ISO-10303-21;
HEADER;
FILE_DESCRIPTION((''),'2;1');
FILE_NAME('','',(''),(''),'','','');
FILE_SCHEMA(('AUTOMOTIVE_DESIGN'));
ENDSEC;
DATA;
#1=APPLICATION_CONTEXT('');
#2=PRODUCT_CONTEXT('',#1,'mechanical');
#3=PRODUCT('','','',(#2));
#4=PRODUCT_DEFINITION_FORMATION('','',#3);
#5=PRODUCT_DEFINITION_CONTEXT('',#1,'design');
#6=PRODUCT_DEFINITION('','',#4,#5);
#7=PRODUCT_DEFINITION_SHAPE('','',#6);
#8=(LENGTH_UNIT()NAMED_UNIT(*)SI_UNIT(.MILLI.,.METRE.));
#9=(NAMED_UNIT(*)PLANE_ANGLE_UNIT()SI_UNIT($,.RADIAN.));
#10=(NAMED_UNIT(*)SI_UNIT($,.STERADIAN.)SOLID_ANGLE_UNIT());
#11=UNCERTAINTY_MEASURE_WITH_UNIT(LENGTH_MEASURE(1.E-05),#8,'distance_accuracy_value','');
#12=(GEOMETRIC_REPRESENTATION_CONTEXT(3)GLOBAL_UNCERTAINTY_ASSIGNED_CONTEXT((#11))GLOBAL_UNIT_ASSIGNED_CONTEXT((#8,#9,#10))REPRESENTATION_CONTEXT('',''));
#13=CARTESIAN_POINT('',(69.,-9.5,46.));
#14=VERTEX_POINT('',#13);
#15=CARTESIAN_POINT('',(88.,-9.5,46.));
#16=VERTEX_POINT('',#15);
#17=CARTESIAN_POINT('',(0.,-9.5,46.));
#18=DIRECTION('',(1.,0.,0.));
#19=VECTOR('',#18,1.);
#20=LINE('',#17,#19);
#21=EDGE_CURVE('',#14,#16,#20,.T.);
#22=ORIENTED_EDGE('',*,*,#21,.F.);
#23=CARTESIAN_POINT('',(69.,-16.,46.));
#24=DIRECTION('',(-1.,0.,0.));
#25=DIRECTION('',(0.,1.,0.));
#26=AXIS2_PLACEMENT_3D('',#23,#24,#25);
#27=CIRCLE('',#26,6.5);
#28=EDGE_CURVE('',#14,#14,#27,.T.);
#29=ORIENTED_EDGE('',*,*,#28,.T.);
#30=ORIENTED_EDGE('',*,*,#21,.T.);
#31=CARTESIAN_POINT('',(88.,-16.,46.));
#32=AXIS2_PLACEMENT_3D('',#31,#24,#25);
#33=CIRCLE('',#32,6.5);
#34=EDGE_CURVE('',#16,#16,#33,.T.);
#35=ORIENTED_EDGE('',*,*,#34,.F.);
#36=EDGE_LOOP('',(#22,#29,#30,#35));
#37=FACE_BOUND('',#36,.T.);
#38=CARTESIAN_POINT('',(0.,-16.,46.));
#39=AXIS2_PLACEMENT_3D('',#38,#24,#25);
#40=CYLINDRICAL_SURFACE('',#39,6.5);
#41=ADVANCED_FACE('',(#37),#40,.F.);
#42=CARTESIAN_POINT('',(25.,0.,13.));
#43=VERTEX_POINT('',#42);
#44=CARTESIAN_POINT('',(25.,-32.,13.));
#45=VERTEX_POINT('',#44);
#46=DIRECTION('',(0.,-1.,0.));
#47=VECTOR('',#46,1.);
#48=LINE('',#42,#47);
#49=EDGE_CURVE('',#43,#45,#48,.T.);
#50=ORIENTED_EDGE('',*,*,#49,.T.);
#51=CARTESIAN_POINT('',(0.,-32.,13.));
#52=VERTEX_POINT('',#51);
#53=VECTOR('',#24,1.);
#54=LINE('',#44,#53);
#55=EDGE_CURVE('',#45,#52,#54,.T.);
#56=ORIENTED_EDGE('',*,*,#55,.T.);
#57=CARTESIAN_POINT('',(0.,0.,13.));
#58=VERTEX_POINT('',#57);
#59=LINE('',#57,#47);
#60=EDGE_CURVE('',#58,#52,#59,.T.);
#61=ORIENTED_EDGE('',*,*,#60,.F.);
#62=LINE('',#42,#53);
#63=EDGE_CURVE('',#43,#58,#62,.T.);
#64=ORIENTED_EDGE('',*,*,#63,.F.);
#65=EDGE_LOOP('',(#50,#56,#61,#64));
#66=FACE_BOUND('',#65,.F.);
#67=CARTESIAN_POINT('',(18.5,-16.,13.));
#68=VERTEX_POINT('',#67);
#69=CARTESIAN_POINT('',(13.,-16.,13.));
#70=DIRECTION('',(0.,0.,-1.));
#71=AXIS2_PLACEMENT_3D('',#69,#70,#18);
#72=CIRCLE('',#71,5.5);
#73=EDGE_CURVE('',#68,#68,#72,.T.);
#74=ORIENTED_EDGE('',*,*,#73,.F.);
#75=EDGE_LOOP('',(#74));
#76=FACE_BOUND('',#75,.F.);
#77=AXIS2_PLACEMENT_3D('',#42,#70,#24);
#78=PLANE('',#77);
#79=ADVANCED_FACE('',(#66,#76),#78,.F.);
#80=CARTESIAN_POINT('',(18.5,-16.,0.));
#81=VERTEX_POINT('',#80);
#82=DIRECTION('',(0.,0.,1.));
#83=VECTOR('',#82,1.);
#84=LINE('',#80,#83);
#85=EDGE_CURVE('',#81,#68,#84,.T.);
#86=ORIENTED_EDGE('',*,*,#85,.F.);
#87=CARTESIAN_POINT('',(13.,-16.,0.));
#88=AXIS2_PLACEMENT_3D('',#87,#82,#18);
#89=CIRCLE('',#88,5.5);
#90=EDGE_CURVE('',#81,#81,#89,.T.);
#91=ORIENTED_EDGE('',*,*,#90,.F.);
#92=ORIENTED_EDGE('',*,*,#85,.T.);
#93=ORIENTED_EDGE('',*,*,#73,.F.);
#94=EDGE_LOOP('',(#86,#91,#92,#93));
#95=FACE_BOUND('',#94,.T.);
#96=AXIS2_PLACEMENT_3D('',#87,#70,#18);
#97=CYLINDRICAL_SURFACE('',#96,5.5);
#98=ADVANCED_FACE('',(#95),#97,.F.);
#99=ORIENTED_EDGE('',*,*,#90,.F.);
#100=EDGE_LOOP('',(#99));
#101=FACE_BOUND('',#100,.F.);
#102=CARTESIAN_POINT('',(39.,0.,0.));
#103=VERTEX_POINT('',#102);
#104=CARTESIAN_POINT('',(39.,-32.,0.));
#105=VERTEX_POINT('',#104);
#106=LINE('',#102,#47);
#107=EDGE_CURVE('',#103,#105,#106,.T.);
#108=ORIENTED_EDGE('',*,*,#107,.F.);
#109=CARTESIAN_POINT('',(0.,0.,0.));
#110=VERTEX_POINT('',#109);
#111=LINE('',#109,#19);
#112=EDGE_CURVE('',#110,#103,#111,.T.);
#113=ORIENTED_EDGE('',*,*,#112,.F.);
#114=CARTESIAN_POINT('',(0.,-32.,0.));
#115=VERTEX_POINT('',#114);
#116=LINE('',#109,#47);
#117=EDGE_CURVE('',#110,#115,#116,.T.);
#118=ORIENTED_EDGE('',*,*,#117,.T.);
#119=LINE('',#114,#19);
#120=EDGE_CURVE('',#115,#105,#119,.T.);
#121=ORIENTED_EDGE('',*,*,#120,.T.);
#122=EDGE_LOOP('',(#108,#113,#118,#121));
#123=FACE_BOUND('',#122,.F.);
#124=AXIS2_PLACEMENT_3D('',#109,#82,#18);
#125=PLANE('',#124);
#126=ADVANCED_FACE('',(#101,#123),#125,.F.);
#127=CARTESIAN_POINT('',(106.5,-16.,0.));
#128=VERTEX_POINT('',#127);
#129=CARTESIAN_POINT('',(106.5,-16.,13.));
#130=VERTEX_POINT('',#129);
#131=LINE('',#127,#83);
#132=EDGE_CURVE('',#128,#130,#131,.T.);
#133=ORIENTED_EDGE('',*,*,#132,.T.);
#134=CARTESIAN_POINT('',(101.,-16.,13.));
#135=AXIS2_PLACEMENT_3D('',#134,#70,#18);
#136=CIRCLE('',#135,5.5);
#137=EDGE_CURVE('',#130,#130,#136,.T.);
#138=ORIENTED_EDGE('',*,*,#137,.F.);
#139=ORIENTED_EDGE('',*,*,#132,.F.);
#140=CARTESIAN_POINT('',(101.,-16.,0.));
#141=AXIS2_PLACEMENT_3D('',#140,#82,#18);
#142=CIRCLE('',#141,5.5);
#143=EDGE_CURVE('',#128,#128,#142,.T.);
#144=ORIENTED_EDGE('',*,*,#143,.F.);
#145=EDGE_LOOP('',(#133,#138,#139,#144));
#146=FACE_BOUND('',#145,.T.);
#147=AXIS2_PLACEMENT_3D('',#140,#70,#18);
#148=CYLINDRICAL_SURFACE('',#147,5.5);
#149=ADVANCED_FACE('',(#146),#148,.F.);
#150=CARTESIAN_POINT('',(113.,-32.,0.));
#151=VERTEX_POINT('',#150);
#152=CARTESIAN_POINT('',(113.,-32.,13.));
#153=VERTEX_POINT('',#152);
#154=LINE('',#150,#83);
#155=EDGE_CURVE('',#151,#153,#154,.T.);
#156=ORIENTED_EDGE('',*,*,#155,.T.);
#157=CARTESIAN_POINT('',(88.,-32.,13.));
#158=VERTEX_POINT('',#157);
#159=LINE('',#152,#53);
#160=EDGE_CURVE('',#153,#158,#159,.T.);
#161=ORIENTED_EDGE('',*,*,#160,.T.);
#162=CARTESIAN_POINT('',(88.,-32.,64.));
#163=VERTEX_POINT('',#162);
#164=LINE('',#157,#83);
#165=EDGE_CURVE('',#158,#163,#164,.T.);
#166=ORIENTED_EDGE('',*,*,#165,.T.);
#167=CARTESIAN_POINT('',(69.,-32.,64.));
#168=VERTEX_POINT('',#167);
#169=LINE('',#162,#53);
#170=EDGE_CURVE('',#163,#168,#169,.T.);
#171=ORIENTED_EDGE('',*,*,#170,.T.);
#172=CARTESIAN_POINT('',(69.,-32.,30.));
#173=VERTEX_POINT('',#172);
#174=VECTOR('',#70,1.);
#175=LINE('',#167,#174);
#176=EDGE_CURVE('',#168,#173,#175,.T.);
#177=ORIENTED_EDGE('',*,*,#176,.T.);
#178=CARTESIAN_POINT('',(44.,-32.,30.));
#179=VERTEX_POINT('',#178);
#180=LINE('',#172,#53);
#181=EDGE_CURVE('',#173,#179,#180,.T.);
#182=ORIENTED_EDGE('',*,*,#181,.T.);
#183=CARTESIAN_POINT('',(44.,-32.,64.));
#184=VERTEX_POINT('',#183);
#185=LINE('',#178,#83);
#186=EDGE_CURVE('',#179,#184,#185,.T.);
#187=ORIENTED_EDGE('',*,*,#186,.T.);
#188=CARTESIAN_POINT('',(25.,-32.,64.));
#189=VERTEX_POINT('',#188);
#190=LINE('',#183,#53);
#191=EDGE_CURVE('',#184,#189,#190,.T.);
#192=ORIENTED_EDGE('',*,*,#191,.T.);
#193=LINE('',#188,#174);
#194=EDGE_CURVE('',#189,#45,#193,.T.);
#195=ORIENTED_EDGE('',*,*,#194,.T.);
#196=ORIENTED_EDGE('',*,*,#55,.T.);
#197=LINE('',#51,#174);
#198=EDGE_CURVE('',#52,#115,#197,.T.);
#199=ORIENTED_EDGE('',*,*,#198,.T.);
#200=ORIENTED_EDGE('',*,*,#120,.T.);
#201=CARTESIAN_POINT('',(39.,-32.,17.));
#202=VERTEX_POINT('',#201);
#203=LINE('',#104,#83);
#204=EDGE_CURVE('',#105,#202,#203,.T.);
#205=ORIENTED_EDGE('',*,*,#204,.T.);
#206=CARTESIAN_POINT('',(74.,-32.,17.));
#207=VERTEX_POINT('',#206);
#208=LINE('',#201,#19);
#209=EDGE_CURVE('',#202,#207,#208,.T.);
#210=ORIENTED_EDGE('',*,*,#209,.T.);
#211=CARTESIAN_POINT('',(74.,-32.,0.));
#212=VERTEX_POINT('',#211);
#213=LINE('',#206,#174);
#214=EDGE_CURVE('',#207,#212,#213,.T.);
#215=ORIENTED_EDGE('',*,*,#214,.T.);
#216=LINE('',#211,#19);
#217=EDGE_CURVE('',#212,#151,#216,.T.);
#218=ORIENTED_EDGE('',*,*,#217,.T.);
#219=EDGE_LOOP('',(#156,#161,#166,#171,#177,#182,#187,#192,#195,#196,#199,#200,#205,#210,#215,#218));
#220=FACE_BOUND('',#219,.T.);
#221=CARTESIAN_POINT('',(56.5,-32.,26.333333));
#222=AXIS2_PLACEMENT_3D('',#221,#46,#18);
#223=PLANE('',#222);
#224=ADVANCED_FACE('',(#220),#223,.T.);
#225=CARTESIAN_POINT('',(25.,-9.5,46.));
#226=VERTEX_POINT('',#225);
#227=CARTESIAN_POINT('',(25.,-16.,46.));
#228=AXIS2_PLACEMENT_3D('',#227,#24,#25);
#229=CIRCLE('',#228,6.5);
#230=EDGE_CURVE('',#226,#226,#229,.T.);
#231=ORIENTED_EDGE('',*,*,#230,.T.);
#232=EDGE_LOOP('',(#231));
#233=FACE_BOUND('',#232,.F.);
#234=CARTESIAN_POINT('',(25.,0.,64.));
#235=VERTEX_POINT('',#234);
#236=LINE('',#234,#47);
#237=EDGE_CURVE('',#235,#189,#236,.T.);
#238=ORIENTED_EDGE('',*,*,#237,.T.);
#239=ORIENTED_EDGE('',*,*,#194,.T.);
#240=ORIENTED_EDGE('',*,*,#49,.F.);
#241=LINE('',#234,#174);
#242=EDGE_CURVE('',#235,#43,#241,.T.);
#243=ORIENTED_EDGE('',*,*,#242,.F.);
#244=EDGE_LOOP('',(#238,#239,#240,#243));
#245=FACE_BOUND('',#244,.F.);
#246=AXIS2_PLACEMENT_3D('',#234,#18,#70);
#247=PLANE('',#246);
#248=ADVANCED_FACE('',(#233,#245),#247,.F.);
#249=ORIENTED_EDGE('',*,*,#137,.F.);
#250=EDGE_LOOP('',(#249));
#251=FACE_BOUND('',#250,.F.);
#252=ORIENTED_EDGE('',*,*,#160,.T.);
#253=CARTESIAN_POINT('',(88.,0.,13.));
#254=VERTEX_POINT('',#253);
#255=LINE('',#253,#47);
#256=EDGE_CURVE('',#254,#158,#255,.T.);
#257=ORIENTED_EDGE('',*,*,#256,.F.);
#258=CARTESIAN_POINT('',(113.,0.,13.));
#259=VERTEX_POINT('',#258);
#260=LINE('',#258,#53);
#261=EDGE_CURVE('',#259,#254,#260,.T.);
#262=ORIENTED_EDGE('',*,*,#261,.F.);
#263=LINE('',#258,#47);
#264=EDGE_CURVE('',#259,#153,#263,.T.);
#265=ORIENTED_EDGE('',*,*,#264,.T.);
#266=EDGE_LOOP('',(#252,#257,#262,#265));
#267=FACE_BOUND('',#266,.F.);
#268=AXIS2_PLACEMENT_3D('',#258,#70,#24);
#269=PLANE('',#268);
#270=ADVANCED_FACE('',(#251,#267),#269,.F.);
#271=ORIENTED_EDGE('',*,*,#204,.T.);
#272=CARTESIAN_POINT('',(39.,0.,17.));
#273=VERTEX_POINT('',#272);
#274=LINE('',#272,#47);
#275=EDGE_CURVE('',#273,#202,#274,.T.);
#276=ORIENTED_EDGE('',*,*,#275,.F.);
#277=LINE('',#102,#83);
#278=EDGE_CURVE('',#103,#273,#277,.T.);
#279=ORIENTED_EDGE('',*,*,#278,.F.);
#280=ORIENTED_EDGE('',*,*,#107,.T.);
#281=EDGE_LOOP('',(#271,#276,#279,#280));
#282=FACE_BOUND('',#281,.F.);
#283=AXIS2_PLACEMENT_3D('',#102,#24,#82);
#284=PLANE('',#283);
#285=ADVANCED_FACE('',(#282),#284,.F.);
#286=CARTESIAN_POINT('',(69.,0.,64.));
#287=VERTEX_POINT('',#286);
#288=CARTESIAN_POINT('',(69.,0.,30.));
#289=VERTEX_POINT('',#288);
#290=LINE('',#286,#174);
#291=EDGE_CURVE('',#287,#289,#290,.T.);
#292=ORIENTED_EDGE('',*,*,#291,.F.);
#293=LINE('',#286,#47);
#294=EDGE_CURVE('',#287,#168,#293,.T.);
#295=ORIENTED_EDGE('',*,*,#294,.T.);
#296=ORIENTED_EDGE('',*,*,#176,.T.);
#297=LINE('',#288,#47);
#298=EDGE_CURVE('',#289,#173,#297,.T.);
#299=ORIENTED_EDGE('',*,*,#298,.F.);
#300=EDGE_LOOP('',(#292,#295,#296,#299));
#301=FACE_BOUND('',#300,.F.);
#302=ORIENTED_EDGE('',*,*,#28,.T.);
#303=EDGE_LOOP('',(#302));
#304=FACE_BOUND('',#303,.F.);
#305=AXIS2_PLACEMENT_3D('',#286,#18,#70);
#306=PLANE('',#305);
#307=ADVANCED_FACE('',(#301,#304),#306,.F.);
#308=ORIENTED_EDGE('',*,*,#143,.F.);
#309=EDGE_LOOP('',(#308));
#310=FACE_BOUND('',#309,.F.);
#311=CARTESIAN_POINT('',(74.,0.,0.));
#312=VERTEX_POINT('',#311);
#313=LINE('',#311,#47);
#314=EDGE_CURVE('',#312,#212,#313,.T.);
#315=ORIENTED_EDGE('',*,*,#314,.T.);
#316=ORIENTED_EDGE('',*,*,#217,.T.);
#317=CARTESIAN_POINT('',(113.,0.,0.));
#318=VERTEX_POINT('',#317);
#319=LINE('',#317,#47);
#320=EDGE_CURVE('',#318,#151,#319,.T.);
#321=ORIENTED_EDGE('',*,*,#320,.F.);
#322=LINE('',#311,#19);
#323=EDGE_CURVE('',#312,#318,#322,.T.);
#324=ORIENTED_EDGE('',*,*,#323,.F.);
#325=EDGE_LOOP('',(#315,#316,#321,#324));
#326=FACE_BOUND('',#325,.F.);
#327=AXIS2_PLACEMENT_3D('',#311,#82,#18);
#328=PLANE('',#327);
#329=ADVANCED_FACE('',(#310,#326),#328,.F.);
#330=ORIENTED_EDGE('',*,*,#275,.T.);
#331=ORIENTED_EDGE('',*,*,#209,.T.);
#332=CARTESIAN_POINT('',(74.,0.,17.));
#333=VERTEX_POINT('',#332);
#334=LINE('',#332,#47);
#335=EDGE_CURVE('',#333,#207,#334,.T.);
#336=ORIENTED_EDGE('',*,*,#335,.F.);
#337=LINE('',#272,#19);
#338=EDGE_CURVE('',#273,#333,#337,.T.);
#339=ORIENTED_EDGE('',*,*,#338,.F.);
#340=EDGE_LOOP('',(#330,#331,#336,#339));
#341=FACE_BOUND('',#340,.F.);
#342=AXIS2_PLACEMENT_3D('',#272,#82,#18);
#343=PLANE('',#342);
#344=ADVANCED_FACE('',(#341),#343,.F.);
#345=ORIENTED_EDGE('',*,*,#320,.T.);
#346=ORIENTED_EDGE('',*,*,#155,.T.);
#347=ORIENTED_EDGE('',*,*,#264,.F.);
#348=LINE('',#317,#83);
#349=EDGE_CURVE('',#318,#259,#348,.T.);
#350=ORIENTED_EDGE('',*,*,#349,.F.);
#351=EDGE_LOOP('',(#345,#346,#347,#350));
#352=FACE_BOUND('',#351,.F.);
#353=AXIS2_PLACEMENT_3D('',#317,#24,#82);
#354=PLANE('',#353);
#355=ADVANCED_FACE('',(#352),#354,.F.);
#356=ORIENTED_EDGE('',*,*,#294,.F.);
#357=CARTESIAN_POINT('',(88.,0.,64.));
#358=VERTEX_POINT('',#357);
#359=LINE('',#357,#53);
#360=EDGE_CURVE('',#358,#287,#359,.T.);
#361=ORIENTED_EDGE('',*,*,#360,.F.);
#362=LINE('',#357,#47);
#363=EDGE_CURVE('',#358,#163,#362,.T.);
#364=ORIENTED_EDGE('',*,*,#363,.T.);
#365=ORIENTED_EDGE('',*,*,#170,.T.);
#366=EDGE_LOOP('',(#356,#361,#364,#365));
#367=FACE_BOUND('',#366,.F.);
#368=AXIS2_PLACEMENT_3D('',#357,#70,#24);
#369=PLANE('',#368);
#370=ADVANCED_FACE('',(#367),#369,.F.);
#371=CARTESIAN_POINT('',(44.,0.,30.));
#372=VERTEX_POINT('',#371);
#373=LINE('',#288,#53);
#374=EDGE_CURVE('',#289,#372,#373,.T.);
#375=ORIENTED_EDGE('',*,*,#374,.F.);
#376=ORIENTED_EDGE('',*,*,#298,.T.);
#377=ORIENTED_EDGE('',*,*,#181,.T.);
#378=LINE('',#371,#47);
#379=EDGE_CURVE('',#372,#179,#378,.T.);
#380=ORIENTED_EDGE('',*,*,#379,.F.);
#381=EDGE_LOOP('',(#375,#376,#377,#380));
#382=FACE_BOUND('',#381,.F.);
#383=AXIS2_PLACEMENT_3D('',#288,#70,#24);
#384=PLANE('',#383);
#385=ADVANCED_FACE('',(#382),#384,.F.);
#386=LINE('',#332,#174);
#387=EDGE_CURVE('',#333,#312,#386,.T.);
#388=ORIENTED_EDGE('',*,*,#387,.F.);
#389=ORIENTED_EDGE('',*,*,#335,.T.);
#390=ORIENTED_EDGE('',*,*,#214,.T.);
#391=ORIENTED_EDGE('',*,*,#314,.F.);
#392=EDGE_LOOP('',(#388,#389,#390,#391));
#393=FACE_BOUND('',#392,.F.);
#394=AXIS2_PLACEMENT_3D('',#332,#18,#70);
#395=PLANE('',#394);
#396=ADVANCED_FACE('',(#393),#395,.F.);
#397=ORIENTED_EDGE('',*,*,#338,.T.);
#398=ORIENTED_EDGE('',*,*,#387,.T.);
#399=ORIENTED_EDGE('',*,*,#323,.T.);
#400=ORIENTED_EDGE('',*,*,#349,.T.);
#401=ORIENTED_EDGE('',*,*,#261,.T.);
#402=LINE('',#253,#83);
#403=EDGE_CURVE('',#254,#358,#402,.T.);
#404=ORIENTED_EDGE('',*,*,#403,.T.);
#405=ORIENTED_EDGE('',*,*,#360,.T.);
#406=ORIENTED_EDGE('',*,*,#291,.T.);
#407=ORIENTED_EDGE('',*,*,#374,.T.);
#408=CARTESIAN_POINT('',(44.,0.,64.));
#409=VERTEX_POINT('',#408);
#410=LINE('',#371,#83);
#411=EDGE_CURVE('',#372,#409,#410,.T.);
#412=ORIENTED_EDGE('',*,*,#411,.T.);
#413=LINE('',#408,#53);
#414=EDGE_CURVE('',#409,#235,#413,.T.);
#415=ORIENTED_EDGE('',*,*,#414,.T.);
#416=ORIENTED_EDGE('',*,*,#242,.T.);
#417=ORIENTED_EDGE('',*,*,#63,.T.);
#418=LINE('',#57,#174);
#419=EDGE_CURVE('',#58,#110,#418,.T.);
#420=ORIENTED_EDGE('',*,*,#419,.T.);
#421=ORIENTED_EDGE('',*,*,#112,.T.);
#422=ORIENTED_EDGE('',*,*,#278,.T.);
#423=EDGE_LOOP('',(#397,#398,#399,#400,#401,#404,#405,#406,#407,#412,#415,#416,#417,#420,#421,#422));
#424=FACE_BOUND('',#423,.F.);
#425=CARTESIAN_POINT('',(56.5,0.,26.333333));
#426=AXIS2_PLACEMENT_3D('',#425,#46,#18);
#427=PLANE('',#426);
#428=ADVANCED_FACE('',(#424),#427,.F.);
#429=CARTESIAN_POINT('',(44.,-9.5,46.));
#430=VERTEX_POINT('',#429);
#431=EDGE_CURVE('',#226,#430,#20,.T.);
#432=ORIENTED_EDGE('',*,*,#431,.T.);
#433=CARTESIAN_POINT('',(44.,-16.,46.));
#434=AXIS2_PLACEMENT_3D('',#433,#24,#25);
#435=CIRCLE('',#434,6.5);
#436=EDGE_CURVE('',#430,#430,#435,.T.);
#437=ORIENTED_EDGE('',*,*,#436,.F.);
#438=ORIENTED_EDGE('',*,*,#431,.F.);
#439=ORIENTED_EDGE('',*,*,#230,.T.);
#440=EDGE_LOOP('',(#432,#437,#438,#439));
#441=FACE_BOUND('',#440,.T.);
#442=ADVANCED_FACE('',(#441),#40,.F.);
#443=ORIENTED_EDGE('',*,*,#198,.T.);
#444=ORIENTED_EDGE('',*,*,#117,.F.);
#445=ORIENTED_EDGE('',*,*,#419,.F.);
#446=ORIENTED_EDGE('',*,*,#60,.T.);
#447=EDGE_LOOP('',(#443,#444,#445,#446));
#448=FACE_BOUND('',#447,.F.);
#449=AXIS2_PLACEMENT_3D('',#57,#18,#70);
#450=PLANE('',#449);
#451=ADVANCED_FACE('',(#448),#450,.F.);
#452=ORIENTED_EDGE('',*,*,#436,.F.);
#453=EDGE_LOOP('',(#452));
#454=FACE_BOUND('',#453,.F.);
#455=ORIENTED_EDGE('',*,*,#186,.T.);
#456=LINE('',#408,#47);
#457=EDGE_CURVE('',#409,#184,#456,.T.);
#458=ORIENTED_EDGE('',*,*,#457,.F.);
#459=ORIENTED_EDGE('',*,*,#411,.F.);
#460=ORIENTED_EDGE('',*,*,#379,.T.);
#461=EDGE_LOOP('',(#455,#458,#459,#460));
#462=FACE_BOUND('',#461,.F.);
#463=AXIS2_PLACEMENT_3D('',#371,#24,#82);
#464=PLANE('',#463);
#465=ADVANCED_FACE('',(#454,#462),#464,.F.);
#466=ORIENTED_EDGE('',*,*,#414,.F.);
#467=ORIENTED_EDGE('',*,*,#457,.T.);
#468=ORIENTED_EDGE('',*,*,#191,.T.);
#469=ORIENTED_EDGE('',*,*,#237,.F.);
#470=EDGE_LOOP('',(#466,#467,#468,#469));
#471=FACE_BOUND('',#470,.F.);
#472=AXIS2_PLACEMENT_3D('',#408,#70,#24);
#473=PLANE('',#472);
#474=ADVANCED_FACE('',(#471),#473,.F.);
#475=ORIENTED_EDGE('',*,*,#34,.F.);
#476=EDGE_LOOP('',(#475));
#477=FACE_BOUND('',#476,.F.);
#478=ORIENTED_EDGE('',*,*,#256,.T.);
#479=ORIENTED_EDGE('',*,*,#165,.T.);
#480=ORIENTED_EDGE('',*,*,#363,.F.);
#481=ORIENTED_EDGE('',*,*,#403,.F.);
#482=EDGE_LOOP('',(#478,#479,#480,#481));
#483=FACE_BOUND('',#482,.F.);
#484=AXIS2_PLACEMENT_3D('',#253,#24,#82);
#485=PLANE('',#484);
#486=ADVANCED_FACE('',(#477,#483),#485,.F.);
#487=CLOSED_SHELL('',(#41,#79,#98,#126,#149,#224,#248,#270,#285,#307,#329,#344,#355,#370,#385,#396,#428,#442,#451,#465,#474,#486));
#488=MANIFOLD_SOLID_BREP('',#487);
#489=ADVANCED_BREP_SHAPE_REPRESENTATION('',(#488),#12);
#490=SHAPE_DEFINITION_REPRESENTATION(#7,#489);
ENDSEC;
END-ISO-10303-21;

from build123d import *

# Parameters (mm, degrees)
F1_DEPTH = 32
F2_R     = 6.5
F3_DEPTH = 113.001
F4_R     = 5.5
F5_DEPTH = 25
F6_R     = 5.5
F7_DEPTH = 25


with BuildPart() as f1:
    # F0 (on Front) → F1 (new body)
    with BuildSketch(Plane.XZ):
        Polygon((0, 13), (0, 0), (39, 0), (39, 17), (74, 17), (74, 0), (113, 0), (113, 13), (88, 13), (88, 64), (69, 64), (69, 30), (44, 30), (44, 64), (25, 64), (25, 13), align=None)
    extrude(amount=F1_DEPTH)

    # F2 (on Right) → F3 (cut, through all)
    with BuildSketch(Plane.YZ):
        with Locations((-16, 46)):
            Circle(F2_R)
    extrude(amount=F3_DEPTH, mode=Mode.SUBTRACT)

    # F4 (on Top) → F5 (cut)
    with BuildSketch(Plane.XY):
        with Locations((13, -16)):
            Circle(F4_R)
    extrude(amount=F5_DEPTH, mode=Mode.SUBTRACT)

    # F6 (on Top) → F7 (cut)
    with BuildSketch(Plane.XY):
        with Locations((101, -16)):
            Circle(F6_R)
    extrude(amount=F7_DEPTH, mode=Mode.SUBTRACT)


solid = f1.part
